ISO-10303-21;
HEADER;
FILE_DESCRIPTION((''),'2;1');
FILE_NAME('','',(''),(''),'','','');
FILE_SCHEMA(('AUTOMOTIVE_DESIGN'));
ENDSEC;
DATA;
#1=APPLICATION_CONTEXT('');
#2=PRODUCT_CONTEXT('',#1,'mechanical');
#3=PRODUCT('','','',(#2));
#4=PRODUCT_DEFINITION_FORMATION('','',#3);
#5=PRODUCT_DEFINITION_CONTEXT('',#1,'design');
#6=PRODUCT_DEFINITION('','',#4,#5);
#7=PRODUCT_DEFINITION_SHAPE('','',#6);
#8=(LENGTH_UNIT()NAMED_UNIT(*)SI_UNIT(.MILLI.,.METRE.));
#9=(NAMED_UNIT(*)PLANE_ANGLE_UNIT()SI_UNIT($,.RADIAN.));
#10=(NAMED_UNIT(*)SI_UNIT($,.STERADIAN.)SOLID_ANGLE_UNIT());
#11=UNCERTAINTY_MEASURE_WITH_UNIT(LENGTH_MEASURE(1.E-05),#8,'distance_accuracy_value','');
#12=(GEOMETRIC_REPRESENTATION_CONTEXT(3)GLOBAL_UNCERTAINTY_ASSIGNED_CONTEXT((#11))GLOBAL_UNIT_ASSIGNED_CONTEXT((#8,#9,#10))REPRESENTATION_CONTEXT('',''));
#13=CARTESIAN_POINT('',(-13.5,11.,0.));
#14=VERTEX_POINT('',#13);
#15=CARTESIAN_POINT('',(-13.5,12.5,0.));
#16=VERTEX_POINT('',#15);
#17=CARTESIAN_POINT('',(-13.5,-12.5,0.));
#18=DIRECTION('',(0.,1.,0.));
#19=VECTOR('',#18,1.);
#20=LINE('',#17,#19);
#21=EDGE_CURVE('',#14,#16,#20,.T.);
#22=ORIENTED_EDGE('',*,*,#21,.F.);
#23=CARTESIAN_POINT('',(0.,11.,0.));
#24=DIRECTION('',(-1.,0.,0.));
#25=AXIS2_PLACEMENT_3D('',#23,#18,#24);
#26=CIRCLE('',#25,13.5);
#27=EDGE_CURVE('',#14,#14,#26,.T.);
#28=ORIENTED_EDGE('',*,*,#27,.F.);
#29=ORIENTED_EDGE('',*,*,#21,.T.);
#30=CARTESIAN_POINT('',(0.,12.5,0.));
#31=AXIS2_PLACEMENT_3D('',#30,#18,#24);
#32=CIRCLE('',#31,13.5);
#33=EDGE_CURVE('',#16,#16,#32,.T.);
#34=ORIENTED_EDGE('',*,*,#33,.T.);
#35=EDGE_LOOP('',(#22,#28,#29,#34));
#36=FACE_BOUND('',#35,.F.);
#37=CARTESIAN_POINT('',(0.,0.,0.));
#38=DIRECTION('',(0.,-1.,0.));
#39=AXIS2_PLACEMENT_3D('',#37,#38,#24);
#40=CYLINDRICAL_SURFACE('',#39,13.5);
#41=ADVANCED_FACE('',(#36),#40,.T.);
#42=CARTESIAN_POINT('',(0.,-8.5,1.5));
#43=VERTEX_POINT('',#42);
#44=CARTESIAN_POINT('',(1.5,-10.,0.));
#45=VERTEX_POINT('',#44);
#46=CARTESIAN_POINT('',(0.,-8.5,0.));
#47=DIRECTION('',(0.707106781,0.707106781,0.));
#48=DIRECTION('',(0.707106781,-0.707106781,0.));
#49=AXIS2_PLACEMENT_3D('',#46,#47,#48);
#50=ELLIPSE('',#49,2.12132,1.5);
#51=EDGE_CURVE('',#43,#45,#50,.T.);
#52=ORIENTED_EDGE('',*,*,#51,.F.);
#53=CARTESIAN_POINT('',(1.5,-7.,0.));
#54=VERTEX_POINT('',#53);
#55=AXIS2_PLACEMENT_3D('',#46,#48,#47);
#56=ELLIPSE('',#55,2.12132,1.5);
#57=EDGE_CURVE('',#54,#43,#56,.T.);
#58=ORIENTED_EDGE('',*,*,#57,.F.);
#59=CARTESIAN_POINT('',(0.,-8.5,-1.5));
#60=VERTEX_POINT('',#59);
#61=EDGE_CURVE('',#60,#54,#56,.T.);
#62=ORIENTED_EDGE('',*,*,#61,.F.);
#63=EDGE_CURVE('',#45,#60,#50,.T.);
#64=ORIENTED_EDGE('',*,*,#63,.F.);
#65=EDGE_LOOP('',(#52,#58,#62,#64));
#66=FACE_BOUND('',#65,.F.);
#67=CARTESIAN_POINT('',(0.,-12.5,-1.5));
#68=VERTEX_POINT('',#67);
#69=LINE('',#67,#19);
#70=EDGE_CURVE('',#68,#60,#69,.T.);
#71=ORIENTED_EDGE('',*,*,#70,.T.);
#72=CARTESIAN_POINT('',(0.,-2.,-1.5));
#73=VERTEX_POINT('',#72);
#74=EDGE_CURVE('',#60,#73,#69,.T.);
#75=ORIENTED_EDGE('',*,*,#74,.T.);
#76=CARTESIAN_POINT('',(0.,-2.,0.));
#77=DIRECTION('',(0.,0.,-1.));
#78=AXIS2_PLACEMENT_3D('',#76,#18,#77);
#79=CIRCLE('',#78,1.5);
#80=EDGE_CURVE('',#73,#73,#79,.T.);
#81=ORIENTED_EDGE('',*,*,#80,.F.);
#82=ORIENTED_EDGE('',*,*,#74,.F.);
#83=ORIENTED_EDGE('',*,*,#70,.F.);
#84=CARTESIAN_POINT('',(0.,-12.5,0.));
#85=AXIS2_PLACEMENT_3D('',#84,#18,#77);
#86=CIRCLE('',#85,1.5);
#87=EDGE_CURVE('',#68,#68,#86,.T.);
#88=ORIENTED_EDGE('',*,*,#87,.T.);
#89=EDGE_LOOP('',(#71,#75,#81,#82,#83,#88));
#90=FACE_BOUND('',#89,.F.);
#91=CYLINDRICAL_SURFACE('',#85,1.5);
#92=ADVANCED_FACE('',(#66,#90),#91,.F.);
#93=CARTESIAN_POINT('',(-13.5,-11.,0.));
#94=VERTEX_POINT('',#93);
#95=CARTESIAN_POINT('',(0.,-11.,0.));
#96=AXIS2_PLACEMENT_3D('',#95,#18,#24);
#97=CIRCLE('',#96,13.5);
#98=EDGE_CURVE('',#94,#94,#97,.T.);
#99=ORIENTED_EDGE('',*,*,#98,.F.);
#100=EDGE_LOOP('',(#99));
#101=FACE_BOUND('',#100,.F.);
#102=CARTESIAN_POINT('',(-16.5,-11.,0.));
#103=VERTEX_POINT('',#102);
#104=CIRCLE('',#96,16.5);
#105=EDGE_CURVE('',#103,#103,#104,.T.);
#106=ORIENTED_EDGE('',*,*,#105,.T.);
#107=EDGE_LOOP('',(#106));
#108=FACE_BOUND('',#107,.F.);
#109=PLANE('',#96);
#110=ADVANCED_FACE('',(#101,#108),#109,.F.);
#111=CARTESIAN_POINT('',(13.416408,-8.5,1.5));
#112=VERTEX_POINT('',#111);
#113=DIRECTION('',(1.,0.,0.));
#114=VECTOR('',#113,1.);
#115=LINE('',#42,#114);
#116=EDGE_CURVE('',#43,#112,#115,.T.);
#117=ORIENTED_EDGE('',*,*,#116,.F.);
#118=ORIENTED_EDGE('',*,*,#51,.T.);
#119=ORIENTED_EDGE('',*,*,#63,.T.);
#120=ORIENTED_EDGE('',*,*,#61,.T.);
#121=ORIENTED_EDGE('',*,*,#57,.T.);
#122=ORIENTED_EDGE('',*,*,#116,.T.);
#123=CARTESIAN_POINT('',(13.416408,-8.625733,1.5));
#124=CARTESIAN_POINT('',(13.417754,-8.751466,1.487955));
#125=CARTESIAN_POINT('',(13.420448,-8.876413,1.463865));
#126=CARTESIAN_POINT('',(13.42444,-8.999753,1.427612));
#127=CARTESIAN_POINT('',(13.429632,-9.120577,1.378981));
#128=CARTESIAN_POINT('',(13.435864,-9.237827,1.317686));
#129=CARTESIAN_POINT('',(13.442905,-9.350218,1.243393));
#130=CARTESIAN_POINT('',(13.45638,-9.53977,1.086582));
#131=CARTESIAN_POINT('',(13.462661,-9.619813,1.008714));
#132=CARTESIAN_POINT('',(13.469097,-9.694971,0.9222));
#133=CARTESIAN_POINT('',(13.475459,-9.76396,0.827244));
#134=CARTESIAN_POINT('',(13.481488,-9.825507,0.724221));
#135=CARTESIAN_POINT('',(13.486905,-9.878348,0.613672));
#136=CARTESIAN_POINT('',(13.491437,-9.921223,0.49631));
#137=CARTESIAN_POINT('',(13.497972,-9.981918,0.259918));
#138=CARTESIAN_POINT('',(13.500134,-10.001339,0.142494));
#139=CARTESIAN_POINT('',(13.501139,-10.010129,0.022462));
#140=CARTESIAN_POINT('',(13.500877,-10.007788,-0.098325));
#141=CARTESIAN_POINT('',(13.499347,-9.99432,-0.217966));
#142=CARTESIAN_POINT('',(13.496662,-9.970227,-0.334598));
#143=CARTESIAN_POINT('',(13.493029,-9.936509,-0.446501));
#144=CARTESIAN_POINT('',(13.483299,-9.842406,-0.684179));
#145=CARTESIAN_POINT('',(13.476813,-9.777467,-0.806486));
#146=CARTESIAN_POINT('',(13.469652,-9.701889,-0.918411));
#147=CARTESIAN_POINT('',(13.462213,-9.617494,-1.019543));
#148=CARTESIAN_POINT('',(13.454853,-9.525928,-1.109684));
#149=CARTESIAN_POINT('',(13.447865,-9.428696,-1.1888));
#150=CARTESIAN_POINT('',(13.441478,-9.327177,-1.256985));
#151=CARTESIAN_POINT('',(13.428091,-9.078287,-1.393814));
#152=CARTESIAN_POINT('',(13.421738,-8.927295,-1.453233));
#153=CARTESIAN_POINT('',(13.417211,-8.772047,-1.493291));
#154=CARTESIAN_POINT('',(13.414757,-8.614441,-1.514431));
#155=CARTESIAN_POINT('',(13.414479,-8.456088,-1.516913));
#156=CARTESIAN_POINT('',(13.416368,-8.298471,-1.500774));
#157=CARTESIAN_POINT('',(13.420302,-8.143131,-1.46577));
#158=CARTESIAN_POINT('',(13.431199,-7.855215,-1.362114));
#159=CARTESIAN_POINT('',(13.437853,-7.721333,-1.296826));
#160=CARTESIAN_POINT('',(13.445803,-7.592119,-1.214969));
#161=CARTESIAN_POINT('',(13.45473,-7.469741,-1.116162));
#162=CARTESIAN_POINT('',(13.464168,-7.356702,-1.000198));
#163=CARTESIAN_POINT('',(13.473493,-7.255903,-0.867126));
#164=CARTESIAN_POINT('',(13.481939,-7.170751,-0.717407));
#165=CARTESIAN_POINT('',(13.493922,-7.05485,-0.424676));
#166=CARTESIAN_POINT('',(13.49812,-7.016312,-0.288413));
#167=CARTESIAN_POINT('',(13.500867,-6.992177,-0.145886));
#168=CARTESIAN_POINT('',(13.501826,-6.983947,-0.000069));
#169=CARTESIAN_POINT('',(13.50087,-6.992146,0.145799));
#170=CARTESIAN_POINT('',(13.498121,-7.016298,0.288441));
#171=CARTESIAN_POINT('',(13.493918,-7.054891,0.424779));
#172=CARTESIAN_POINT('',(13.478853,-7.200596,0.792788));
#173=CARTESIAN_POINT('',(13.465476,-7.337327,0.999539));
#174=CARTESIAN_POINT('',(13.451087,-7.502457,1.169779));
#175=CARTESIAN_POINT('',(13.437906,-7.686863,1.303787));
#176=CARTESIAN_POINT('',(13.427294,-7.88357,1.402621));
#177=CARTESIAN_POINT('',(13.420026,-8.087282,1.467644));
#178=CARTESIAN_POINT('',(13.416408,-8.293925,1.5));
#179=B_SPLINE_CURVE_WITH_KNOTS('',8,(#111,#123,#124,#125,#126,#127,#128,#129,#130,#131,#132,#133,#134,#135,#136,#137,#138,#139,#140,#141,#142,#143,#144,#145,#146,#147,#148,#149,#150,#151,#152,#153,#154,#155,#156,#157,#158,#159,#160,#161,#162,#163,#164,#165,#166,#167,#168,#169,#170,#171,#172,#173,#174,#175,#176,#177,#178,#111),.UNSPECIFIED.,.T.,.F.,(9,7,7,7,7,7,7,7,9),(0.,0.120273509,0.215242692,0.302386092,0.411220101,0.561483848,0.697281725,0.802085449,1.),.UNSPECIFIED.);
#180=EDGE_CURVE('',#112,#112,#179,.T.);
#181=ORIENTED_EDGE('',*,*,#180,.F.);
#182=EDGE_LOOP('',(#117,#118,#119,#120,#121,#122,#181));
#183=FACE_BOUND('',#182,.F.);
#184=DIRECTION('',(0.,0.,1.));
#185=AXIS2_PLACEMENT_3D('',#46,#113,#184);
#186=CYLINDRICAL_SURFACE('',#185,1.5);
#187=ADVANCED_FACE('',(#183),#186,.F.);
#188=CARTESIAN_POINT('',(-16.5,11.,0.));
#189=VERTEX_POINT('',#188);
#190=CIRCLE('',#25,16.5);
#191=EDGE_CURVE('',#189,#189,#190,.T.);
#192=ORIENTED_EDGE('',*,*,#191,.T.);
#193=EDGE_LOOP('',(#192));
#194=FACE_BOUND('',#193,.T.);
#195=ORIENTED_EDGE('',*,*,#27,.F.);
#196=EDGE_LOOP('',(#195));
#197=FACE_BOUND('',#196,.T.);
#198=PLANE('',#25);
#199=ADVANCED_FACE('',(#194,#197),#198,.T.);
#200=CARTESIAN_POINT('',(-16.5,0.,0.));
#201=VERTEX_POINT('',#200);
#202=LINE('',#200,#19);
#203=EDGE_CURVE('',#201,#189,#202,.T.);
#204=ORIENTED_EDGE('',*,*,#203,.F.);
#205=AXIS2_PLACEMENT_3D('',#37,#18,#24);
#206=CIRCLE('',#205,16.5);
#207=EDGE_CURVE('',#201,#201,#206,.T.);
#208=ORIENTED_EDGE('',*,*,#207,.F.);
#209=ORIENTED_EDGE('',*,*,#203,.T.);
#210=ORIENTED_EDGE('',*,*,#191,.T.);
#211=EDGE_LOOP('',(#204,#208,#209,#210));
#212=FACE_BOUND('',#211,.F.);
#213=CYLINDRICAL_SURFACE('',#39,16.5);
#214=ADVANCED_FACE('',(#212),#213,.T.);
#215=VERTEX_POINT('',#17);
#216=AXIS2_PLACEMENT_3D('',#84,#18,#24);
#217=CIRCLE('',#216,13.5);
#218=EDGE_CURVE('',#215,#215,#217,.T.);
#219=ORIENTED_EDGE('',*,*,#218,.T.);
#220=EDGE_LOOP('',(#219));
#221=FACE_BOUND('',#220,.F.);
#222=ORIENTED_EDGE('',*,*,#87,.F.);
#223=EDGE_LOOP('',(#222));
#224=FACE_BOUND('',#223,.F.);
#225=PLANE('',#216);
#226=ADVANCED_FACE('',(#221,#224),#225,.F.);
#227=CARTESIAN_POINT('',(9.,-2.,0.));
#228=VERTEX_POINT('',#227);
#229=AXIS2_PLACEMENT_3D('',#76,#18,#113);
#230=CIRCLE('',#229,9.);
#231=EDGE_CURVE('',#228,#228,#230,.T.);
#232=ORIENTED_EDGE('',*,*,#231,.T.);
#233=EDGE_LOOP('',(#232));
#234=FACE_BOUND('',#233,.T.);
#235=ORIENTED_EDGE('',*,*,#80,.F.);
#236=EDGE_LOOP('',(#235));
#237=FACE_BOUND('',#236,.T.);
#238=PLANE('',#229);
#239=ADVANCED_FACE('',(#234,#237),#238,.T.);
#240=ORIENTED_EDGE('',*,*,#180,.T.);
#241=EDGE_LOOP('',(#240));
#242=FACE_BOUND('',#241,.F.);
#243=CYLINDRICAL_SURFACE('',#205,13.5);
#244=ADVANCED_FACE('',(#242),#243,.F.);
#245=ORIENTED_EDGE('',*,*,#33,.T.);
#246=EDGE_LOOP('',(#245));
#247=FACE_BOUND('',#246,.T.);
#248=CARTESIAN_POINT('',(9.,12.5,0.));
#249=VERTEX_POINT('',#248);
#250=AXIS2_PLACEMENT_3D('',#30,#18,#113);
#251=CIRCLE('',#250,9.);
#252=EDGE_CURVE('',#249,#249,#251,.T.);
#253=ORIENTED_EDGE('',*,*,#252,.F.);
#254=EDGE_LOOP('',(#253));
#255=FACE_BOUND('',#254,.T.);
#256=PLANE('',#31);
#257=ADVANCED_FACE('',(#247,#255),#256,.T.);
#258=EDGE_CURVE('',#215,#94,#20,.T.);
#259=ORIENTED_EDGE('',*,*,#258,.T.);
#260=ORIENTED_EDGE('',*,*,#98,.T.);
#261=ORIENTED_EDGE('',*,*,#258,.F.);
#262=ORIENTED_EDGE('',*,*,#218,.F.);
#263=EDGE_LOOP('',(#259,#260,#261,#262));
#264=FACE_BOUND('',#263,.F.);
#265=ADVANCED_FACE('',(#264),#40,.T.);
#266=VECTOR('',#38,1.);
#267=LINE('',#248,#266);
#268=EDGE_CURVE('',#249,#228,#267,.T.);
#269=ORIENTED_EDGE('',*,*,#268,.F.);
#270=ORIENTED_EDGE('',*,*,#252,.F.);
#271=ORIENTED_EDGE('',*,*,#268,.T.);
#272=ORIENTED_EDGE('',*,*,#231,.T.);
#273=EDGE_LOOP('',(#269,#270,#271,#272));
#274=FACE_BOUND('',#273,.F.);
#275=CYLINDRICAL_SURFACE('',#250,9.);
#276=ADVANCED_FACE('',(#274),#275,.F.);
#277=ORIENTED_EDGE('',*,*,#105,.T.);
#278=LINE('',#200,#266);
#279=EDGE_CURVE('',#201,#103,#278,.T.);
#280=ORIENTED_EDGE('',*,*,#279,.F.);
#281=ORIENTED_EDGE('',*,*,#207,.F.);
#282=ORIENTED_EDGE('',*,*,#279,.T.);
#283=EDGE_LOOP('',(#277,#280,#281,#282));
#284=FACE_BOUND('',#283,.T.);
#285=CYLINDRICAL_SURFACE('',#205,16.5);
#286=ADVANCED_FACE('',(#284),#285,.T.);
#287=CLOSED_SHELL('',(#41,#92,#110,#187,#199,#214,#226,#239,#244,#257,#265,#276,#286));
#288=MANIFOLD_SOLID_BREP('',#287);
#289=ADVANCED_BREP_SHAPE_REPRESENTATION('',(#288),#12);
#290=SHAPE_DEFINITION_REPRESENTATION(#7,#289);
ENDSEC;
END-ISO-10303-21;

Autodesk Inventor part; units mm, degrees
ref_plane "YZ Plane" through (0, 0, 0) normal (1, 0, 0) x (0, 1, 0)
ref_plane "XZ Plane" through (0, 0, 0) normal (0, 1, 0) x (-1, 0, 0)
ref_plane "XY Plane" through (0, 0, 0) normal (0, 0, 1) x (1, 0, 0)
sketch "Náčrt1" plane through (0, 0, 0) normal (0, 1, 0) x (-1, 0, 0)
  circle A0 centre (0, 0) radius 16.5
  circle A1 centre (0, 0) radius 13.5
  dimension "d0" = 33
  dimension "d1" = 27
extrude "Vysunutí1" add sketch "Náčrt1" along normal mid plane 25 contours A1
sketch "Náčrt4" plane through (0, 0, 0) normal (1, 0, 0) x (0, 1, 0)
  line L0 (-12.5, 13.5) -> (-12.5, -13.5) projected
  point P0 (0, 0)
  point P1 (-8.5, 0)
  dimension "d16" = 4
hole "Díra2" at (0, -8.5, 0) direction (1, 0, 0) diameter 3 end through all
thread "Závit1" size "M3x0.5" class "6H" standard "ISO Metric profile" full length
extrude "Vysunutí2" add sketch "Náčrt1" along normal mid plane 22
sketch "Náčrt2" plane through (0, 12.5, 0) normal (0, 1, 0) x (1, 0, 0)
  circle A0 centre (0, 0) radius 9
  dimension "d6" = 18
extrude "Vysunutí3" cut sketch "Náčrt2" against normal blind 14.5
sketch "Náčrt3" plane through (0, -12.5, 0) normal (0, -1, 0) x (1, 0, 0)
  circle A0 centre (0, 0) radius 13.5 projected
hole "Díra1" at (0, -12.5, 0) direction (0, 1, 0) diameter 3 end through all
properties part number "JSUMO_Wheel_33x20mm"
